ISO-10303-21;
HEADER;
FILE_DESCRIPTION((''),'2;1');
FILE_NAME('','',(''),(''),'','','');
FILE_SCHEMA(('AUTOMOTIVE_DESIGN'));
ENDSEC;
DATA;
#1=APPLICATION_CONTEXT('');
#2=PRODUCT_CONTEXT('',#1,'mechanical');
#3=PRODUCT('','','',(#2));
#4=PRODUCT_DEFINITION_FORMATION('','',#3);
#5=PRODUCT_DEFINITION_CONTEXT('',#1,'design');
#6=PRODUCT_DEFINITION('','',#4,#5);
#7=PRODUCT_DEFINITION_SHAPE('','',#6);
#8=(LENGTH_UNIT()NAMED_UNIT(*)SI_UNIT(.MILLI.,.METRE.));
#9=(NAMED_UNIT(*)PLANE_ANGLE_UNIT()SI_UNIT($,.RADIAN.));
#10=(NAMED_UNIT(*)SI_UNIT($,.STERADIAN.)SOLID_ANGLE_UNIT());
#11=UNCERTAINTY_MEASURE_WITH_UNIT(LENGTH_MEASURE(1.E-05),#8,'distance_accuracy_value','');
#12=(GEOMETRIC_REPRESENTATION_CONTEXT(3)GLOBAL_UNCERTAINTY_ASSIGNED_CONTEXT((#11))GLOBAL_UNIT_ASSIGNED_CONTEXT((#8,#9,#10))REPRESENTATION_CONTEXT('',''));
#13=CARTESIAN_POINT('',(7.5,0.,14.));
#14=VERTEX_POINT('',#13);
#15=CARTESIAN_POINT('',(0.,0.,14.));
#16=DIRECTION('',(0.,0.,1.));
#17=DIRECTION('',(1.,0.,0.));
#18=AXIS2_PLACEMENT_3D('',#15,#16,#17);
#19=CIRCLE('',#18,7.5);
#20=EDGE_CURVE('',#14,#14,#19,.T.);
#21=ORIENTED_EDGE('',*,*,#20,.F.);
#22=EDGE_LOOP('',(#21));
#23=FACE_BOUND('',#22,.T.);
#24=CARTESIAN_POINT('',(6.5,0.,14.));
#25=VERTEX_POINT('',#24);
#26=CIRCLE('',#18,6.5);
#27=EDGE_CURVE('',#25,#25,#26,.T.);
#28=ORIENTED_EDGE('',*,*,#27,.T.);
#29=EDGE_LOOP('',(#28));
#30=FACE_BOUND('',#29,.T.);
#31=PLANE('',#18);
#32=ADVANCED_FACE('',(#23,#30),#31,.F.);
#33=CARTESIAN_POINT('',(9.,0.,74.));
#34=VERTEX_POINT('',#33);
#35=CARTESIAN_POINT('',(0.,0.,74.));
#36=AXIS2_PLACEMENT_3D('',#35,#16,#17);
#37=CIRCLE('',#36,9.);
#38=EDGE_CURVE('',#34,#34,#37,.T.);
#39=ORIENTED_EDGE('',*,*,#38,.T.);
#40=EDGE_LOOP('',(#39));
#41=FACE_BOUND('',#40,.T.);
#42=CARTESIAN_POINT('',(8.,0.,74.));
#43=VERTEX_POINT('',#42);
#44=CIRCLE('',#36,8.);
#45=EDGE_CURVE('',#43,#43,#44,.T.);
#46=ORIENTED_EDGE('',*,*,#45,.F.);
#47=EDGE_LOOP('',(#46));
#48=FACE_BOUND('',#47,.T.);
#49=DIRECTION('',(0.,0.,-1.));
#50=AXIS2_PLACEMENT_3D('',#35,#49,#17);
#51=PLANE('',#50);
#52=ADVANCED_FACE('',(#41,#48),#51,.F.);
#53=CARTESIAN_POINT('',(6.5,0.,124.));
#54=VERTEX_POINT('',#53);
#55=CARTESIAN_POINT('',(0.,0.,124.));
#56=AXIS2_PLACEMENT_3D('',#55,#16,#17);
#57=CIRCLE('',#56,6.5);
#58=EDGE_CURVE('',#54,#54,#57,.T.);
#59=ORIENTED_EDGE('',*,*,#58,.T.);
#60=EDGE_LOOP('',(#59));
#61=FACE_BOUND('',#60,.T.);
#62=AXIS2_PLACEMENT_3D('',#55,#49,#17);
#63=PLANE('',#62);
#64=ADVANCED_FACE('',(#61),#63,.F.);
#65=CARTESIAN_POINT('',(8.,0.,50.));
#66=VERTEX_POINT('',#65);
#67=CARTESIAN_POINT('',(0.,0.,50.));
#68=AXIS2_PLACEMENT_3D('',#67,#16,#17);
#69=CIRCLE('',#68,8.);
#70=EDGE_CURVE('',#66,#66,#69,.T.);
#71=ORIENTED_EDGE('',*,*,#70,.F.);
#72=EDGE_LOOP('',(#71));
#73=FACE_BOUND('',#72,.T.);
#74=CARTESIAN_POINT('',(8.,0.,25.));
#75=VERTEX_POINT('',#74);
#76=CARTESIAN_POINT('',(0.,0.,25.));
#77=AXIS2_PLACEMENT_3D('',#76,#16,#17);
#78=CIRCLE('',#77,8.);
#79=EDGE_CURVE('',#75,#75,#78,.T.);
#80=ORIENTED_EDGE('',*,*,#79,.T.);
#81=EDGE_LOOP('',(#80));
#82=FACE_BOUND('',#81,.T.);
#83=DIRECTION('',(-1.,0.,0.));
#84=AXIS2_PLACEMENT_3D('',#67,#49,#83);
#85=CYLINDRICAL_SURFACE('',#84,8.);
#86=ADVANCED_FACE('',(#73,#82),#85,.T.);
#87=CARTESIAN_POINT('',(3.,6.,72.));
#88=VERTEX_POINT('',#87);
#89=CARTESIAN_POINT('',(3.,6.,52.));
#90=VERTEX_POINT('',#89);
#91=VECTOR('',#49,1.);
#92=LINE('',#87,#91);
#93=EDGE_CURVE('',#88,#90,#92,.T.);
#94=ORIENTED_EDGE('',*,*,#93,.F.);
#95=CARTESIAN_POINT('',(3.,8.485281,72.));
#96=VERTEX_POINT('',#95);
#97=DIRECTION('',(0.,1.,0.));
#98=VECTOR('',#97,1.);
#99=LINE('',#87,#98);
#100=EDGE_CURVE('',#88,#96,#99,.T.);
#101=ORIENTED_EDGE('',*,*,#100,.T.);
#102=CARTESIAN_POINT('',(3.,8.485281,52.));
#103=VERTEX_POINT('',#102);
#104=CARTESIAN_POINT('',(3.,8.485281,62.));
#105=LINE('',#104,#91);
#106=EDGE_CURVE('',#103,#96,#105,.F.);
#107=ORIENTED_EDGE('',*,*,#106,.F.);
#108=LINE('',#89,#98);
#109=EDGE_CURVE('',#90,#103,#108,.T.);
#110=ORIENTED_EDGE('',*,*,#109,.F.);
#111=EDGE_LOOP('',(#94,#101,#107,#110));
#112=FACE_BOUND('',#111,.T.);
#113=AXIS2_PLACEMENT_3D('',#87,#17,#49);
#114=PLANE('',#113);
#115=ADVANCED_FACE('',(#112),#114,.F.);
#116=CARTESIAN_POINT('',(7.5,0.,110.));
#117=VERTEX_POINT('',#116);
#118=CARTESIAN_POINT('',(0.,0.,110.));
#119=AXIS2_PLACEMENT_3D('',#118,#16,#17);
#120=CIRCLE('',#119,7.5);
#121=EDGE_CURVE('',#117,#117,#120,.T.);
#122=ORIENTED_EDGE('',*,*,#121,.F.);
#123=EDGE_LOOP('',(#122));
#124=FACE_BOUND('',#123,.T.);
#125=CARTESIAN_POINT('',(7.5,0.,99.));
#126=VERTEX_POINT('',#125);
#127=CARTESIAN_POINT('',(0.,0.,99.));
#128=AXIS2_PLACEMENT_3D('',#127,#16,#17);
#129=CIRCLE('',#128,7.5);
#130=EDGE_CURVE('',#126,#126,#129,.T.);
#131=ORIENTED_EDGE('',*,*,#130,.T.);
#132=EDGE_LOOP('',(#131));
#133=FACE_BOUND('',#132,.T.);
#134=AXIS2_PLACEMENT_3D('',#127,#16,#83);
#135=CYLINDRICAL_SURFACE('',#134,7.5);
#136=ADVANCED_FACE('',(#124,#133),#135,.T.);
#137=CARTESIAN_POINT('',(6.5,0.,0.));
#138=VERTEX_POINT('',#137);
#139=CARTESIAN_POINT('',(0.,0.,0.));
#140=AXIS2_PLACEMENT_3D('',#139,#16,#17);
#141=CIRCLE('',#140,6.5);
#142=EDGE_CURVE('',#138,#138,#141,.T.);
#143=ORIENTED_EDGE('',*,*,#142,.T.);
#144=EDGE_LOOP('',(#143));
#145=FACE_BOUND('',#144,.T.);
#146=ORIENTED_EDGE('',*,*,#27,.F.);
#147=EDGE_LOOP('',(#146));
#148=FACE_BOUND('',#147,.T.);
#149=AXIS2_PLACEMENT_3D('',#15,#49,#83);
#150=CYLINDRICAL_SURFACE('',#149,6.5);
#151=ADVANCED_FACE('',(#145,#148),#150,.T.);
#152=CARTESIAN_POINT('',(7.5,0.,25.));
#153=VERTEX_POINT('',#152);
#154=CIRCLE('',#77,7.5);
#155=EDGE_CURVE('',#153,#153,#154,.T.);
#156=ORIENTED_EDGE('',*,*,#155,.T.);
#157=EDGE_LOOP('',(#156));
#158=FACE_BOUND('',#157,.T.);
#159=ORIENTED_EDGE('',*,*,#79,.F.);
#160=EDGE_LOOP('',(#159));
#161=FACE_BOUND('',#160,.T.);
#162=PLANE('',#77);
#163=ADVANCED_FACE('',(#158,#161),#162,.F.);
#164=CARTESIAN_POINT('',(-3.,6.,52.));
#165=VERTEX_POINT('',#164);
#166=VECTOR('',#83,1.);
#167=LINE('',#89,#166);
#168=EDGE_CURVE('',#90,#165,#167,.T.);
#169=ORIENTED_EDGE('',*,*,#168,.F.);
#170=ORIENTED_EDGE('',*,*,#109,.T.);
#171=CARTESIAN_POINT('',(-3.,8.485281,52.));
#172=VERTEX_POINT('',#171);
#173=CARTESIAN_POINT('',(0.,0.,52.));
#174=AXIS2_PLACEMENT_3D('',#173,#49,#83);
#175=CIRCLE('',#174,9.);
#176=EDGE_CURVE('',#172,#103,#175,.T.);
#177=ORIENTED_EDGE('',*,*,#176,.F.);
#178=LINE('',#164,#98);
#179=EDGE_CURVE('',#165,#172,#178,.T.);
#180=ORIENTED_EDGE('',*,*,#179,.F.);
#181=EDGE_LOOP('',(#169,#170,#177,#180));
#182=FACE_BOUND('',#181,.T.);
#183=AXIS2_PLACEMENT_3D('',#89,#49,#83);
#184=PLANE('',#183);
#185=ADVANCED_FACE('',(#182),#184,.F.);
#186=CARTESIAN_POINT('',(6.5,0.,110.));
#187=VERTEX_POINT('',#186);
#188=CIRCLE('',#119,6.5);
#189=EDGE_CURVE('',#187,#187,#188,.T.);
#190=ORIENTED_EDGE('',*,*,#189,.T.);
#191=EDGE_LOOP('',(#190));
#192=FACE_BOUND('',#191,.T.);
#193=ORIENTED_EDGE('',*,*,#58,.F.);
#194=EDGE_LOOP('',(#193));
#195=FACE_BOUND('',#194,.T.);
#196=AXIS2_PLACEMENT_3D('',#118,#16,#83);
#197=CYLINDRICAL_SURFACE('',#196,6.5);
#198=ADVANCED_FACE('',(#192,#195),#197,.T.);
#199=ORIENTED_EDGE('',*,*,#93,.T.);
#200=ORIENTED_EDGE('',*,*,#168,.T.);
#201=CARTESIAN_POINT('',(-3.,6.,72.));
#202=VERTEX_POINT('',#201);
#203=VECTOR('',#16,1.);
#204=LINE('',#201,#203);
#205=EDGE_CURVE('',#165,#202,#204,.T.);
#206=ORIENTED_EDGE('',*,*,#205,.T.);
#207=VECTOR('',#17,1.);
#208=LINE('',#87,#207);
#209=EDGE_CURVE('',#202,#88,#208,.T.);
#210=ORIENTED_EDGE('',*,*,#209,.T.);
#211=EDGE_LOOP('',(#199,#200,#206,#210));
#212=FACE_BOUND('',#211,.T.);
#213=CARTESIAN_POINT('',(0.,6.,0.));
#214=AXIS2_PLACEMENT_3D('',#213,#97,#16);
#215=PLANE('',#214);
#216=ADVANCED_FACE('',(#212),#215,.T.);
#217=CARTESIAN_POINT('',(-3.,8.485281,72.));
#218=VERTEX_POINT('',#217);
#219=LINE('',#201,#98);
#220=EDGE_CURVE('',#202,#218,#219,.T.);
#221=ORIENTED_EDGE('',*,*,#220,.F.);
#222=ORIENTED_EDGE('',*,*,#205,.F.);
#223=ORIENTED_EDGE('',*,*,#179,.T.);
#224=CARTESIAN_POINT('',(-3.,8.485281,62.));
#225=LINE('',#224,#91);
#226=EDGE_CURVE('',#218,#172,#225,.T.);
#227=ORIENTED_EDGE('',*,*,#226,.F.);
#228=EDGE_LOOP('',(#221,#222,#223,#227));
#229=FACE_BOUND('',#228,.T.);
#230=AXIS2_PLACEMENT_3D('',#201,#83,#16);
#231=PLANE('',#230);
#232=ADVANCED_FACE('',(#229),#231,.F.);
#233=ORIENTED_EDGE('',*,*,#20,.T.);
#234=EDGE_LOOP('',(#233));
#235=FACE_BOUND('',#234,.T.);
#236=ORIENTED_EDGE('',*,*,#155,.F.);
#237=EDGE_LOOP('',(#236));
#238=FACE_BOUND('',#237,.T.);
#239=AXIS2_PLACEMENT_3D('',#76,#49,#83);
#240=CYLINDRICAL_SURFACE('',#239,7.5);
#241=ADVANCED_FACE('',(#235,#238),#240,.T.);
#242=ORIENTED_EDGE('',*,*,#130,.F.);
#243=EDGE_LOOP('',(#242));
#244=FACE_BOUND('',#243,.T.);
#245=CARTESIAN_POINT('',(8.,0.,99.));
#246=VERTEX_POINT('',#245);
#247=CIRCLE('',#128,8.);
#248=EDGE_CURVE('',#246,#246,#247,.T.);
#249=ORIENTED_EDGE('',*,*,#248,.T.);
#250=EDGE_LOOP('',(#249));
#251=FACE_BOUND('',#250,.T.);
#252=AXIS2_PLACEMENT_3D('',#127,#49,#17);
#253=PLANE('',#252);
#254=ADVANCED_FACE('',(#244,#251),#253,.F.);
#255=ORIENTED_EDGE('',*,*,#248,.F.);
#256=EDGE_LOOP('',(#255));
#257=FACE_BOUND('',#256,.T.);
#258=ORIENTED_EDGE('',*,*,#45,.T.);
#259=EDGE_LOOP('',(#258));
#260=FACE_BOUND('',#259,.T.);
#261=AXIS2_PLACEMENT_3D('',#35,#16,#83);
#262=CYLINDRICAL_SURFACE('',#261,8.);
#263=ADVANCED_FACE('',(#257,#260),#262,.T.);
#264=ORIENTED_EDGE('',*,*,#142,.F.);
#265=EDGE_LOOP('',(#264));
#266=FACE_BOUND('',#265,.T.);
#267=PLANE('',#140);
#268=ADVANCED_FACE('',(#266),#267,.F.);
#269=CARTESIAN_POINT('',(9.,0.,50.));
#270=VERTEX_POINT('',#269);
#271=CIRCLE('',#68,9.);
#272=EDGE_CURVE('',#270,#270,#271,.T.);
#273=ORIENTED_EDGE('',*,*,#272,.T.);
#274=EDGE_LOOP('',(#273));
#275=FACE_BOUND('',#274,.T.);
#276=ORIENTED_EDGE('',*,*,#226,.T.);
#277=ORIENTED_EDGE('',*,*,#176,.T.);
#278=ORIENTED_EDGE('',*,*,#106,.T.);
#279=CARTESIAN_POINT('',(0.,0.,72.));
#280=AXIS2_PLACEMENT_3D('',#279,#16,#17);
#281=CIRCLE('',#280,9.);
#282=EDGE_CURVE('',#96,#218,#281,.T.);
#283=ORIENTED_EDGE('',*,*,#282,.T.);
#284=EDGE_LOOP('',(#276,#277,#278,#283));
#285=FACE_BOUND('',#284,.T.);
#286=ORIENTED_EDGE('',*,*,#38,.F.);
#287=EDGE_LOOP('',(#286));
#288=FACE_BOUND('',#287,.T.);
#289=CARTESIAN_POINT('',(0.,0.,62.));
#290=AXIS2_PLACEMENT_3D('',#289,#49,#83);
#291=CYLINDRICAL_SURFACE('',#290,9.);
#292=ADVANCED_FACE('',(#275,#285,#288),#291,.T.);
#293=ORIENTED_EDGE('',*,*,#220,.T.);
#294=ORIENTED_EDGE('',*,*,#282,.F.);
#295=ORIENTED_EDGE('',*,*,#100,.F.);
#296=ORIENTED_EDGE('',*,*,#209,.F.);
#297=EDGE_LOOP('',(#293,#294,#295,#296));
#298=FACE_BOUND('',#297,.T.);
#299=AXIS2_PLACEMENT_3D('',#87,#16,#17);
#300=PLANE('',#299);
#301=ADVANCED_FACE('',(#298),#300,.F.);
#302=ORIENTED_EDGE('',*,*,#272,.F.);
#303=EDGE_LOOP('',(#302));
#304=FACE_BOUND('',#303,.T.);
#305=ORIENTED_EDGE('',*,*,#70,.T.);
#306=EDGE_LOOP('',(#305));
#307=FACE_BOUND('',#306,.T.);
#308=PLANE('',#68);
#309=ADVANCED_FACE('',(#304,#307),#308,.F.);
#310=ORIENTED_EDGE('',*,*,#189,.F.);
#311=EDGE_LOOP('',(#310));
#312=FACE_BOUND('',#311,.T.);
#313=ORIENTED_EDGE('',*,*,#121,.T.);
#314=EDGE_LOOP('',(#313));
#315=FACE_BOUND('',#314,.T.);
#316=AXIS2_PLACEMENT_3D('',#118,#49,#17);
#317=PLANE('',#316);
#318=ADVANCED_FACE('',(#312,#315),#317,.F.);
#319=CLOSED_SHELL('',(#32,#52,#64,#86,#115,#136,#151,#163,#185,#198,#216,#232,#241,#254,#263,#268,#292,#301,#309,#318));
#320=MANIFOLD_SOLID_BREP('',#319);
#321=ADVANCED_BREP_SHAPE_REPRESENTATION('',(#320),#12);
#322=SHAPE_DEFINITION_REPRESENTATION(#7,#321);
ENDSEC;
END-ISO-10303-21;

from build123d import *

# Parameters (mm, degrees)
SKETCH1_R           = 6.5
BOSS_EXTRUDE1_DEPTH = 14
SKETCH2_R           = 7.5
BOSS_EXTRUDE2_DEPTH = 11
SKETCH3_R           = 8
BOSS_EXTRUDE3_DEPTH = 25
SKETCH4_R           = 9
BOSS_EXTRUDE4_DEPTH = 12
SKETCH5_W           = 6
SKETCH5_H           = 20
CUT_EXTRUDE2_DEPTH  = 3


with BuildPart() as part:
    # Sketch1 → Boss-Extrude1 (new body)
    with BuildSketch(Plane(origin=(0, 0, 0), x_dir=(0, 1, 0), z_dir=(0, 0, 1))):
        with Locations(Location((0, 0, 0), (0, 0, 270))):
            Circle(SKETCH1_R)
    extrude(amount=BOSS_EXTRUDE1_DEPTH)

    # Sketch2 → Boss-Extrude2 (add)
    with BuildSketch(Plane.XY.offset(14)):
        Circle(SKETCH2_R)
    extrude(amount=BOSS_EXTRUDE2_DEPTH)

    # Sketch3 → Boss-Extrude3 (add)
    with BuildSketch(Plane.XY.offset(25)):
        Circle(SKETCH3_R)
    extrude(amount=BOSS_EXTRUDE3_DEPTH)

    # Sketch4 → Boss-Extrude4 (add)
    with BuildSketch(Plane.XY.offset(50)):
        Circle(SKETCH4_R)
    extrude(amount=BOSS_EXTRUDE4_DEPTH)

    # Mirror1: part across plane


with BuildPart() as part_1:
    add(part.part)
    add(part.part.mirror(Plane.XY.offset(62)))

    # Sketch5 → Cut-Extrude2 (cut)
    with BuildSketch(Plane(origin=(0, 9, 0), x_dir=(-1, 0, 0), z_dir=(0, 1, 0))):
        with Locations((0, 62)):
            Rectangle(SKETCH5_W, SKETCH5_H)
    extrude(amount=-CUT_EXTRUDE2_DEPTH, mode=Mode.SUBTRACT)


solid = part_1.part
